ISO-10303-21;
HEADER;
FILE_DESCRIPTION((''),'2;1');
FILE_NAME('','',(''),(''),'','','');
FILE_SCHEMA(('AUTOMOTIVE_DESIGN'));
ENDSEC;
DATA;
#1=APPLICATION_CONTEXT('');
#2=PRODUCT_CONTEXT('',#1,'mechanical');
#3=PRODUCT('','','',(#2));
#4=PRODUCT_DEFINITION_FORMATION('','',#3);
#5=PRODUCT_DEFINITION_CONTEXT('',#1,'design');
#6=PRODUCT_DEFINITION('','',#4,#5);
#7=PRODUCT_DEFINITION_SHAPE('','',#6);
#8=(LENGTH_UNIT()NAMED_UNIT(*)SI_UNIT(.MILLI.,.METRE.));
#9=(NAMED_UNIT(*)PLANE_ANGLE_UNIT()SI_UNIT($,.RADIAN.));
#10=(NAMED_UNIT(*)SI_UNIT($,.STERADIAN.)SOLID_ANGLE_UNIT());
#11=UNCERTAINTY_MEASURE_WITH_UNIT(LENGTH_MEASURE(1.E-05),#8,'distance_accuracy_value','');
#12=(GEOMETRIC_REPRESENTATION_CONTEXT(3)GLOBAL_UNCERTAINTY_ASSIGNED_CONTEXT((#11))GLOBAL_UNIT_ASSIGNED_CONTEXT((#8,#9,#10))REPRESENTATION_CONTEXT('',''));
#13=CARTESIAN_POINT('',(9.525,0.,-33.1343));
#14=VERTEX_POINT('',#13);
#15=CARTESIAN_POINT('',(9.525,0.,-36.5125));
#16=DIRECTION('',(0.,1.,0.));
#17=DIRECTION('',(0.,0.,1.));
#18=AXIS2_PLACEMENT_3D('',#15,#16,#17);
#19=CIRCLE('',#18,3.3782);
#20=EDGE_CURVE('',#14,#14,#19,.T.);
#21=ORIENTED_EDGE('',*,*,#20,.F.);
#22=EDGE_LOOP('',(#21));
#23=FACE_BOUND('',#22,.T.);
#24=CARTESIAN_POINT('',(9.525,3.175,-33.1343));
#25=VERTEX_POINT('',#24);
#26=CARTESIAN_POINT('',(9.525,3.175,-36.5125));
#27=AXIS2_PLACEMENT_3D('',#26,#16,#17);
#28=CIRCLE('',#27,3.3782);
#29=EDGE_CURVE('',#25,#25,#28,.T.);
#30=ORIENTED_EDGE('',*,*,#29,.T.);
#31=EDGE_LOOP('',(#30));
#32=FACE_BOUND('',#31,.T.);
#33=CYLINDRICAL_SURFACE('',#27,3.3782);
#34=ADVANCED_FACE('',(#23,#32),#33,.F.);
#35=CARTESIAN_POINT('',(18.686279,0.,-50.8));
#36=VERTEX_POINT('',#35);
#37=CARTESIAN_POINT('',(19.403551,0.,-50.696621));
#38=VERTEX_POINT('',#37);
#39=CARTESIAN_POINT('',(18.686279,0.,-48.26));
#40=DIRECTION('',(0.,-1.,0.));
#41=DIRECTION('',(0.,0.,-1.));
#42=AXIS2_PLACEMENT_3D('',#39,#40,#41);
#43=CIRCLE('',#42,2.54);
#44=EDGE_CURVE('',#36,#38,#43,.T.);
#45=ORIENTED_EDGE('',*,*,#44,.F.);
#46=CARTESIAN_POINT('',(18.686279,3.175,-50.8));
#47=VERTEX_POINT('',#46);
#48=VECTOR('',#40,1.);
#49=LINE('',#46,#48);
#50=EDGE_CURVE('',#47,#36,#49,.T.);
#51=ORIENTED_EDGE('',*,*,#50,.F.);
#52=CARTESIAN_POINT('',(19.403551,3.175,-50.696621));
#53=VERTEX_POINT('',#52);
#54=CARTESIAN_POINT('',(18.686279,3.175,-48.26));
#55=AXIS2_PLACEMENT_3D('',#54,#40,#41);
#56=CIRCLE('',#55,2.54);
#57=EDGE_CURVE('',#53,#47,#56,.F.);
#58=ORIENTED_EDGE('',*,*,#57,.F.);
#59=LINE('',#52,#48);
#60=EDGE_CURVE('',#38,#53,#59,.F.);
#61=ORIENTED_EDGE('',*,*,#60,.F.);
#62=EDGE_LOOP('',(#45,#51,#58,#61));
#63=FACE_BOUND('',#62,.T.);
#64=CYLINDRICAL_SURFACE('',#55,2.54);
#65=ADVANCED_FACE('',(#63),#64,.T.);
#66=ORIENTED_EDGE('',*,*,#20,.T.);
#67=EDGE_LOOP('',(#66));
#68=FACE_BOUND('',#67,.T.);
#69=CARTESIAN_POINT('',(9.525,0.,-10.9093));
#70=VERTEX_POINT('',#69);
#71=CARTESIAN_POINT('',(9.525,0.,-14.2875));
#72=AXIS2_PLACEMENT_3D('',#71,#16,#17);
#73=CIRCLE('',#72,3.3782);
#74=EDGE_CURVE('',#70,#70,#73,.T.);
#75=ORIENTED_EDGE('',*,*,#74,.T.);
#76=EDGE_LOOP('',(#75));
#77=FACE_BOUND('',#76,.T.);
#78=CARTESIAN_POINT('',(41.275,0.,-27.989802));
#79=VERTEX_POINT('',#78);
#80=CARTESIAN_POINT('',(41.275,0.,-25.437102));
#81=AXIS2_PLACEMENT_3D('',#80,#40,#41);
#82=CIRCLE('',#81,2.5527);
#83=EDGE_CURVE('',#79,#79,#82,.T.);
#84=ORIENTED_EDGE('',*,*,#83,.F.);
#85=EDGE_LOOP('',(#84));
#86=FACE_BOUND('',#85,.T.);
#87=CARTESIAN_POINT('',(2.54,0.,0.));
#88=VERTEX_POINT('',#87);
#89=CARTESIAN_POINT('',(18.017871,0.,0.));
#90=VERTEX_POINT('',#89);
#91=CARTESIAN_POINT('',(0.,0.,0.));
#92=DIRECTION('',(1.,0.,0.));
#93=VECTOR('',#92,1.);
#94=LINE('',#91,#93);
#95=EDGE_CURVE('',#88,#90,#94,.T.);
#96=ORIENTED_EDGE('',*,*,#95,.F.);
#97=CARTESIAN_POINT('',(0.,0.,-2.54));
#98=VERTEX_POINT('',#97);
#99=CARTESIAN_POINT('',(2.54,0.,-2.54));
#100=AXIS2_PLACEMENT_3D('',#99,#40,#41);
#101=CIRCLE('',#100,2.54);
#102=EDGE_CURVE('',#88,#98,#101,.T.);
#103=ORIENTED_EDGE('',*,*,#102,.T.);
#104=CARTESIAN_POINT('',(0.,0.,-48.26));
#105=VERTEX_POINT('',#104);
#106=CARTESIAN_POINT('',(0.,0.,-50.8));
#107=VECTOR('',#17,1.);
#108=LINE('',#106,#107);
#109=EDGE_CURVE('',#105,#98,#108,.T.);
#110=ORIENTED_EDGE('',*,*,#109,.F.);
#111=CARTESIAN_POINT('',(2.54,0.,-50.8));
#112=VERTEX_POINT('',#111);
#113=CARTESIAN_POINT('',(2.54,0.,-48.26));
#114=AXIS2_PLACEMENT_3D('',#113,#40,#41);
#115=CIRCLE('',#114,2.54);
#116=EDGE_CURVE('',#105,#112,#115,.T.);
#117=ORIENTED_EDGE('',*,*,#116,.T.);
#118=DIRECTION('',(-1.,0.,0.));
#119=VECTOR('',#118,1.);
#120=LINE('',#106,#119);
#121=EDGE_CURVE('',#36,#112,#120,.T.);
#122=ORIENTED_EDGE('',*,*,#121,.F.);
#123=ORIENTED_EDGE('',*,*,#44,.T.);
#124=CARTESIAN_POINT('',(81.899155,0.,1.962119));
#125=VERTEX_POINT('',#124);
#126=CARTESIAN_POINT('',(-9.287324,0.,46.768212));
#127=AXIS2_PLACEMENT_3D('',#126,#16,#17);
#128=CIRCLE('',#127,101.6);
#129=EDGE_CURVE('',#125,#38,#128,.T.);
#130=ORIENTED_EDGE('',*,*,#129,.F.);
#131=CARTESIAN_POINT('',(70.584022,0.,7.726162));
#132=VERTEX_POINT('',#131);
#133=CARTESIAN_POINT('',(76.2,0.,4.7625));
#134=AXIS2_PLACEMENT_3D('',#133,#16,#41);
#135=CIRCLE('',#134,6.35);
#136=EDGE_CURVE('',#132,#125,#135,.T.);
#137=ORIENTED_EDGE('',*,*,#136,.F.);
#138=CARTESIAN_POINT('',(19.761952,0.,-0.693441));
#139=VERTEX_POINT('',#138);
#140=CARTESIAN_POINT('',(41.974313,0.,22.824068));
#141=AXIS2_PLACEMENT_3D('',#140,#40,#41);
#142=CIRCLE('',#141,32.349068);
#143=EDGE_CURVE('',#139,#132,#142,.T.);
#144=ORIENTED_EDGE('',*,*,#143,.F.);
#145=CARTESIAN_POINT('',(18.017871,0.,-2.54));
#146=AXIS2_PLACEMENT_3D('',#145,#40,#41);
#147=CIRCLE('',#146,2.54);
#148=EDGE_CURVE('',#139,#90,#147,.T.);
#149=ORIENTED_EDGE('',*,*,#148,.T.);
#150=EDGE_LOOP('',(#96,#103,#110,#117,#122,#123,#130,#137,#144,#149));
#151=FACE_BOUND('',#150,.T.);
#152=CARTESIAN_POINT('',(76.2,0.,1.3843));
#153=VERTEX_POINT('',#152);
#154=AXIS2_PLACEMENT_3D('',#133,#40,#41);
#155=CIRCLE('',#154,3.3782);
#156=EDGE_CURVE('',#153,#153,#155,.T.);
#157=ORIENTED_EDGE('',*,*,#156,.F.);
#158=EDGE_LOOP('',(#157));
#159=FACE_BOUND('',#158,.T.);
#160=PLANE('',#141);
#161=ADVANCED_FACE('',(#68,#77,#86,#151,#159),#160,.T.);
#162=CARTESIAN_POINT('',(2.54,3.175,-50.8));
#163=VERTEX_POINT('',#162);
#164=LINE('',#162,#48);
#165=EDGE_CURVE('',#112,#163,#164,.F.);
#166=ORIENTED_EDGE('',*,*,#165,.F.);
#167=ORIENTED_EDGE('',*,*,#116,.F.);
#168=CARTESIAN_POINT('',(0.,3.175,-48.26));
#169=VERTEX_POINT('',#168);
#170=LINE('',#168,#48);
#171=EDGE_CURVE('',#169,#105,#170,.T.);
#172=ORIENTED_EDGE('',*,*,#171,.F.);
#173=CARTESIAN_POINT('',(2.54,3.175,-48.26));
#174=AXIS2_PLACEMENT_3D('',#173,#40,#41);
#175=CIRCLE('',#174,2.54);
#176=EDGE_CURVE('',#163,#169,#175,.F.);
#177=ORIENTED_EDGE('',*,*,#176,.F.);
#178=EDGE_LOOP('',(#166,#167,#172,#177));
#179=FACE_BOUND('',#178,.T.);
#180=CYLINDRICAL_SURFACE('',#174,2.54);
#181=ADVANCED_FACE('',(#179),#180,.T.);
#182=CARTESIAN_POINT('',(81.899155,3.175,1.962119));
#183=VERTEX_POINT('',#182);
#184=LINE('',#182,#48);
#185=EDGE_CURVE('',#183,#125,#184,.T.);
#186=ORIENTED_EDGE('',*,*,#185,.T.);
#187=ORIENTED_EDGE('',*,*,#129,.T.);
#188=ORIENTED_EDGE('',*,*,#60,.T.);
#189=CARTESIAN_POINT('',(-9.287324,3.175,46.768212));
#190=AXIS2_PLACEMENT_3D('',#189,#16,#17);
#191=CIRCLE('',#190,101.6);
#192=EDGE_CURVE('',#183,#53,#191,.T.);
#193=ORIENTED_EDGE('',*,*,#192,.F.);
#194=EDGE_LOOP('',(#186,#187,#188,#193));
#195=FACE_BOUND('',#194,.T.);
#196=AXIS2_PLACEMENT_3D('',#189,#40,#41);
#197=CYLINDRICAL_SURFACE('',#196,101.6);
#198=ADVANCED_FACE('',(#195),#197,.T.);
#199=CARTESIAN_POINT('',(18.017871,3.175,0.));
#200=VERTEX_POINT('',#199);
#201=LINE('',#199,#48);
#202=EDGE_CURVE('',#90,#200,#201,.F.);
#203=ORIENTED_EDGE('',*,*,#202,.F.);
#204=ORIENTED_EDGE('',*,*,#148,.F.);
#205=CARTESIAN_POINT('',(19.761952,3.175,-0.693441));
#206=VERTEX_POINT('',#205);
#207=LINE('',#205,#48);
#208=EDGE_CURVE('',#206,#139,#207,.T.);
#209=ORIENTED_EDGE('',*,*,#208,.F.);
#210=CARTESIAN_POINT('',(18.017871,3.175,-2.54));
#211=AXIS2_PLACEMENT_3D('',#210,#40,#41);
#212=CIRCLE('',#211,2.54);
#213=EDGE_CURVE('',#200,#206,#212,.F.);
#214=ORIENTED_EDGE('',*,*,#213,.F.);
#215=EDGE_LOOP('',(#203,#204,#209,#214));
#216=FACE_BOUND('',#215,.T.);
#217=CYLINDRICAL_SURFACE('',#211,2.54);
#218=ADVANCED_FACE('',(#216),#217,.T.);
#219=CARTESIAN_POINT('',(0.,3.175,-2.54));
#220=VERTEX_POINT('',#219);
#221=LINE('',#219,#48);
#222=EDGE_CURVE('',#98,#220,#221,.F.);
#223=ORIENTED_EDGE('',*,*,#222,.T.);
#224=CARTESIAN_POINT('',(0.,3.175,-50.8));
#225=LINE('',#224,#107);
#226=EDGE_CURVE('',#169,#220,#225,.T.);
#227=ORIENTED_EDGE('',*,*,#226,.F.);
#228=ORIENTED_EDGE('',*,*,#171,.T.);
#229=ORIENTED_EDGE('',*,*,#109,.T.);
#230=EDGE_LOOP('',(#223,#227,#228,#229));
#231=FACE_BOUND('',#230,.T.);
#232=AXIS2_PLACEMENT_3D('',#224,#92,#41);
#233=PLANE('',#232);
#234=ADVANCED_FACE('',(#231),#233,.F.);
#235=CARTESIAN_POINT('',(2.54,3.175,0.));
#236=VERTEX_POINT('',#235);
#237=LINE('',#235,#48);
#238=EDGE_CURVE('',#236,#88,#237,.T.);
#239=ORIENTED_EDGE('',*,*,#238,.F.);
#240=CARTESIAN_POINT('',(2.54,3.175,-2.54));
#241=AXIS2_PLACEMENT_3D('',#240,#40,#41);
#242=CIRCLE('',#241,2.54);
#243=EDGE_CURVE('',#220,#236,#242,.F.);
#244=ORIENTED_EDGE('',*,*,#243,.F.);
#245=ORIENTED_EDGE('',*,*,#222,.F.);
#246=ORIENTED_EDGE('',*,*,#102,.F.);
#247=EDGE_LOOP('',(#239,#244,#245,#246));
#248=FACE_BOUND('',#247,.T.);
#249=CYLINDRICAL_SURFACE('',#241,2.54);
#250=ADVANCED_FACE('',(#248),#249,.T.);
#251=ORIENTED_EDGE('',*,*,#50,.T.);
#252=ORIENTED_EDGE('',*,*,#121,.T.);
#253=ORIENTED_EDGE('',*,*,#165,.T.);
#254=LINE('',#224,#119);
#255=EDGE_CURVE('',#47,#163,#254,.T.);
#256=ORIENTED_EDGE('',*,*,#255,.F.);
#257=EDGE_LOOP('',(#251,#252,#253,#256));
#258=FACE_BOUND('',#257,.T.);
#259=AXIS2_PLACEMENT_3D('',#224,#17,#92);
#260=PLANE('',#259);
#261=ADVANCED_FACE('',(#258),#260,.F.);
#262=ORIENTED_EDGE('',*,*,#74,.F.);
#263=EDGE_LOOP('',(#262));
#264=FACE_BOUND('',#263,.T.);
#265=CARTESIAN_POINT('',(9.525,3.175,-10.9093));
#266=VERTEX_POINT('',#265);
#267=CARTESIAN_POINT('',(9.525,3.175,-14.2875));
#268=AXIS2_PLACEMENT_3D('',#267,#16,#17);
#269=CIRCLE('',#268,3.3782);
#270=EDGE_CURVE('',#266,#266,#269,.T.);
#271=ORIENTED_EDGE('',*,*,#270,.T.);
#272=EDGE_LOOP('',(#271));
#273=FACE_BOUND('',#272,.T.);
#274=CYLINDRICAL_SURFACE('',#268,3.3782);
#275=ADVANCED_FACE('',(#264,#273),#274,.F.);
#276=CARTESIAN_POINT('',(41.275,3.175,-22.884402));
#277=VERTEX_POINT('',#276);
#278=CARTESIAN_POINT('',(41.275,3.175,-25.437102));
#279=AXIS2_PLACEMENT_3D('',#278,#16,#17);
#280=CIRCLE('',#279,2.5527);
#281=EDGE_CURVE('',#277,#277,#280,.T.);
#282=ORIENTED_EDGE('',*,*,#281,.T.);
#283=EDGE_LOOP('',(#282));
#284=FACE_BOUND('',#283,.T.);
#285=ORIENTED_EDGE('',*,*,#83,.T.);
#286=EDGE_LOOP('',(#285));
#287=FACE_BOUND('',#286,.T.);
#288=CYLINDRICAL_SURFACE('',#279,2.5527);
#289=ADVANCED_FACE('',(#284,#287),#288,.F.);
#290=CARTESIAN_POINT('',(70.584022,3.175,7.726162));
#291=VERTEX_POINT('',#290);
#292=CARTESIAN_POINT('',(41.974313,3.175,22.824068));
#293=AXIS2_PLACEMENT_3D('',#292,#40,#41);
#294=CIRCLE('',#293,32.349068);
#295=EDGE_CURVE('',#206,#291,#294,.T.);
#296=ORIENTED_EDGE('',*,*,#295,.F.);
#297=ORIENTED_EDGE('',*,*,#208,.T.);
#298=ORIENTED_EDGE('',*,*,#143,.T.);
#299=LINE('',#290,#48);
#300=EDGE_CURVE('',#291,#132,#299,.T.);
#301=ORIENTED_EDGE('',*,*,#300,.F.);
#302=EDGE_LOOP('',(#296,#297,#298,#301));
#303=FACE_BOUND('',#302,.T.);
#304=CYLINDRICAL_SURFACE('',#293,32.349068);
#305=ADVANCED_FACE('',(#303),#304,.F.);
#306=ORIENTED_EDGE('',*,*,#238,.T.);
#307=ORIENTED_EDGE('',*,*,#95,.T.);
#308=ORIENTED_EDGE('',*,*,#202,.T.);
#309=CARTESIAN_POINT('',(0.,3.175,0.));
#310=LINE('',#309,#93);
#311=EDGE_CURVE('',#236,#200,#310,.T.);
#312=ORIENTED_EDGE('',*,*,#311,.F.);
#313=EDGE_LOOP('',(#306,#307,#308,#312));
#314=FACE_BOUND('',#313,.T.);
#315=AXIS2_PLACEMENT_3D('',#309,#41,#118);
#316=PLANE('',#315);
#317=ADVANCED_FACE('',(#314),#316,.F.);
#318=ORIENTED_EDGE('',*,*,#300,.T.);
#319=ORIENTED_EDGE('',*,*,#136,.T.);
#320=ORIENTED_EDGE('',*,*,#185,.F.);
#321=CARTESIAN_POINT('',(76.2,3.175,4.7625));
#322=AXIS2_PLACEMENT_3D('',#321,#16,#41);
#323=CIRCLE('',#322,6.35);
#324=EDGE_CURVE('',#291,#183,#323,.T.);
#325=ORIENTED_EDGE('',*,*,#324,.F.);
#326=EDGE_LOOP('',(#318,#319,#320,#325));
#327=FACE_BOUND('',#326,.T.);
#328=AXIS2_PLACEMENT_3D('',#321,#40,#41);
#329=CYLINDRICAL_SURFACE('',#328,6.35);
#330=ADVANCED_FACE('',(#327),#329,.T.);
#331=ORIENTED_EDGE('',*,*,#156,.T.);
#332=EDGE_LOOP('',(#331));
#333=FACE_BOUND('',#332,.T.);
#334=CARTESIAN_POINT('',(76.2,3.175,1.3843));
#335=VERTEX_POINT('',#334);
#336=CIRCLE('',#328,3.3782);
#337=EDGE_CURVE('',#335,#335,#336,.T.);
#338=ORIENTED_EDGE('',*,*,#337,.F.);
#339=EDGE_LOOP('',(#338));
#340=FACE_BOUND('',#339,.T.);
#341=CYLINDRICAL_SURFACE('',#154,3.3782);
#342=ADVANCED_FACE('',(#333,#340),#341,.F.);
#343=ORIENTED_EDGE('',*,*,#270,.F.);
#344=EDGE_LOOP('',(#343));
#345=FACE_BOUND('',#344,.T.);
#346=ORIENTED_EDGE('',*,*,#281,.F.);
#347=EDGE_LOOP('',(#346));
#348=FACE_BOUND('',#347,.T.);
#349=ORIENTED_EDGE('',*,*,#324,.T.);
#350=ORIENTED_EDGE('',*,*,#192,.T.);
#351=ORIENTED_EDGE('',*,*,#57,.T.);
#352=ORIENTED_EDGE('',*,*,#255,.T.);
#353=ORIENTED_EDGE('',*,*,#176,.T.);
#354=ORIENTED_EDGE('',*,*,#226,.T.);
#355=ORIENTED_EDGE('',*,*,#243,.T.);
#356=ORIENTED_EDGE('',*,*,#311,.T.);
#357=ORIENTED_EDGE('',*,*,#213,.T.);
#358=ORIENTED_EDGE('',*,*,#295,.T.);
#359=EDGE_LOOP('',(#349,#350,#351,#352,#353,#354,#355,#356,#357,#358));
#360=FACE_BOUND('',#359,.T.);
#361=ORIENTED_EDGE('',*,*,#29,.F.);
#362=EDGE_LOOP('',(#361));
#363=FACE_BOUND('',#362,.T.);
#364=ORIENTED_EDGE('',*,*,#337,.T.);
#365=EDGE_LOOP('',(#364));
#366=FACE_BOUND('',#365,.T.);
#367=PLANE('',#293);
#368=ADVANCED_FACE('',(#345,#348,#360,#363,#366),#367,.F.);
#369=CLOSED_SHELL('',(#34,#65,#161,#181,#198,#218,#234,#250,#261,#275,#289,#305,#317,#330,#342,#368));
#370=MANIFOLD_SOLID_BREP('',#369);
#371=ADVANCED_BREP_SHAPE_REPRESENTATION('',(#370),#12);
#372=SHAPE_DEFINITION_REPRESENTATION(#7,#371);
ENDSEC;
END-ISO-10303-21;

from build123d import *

# Parameters (mm, degrees)
BOSS_EXTRUDE1_DEPTH        = 3.175
F_1_4_CLEARANCE_HOLE2_D    = 6.7564
F_1_4_CLEARANCE_HOLE1_D    = 6.7564
FILLET1_R                  = 2.54
F_10_CLEARANCE_HOLE1_D     = 5.1054
F_10_CLEARANCE_HOLE1_DEPTH = 3.175


with BuildPart() as part:
    # Sketch1 → Boss-Extrude1 (new body)
    with BuildSketch(Plane(origin=(0, 0, 0), x_dir=(1, 0, 0), z_dir=(0, 1, 0))):
        with BuildLine():
            Line((0, 50.8), (19.05, 50.8))
            ThreePointArc((19.05, 50.8), (56.03836137, 31.046405743), (81.899154962, -1.962119182))
            ThreePointArc((81.899154962, -1.962119182), (79.082321477, -10.420655433), (70.584022136, -7.726162031))
            ThreePointArc((70.584022136, -7.726162031), (46.770595677, 9.16746016), (19.05, 0))
            Line((19.05, 0), (0, 0))
            Line((0, 0), (0, 50.8))
        make_face()
    extrude(amount=BOSS_EXTRUDE1_DEPTH)

    # 1/4 Clearance Hole2 (through all)
    with Locations(Plane(origin=(0, 0, 0), x_dir=(-1, 0, 0), z_dir=(0, -1, 0))):
        with Locations((-76.2, -4.7625)):
            Hole(F_1_4_CLEARANCE_HOLE2_D / 2)

    # 1/4 Clearance Hole1 (through all)
    with Locations(Plane(origin=(0, 3.175, 0), x_dir=(1, 0, 0), z_dir=(0, 1, 0))):
        with Locations((9.525, 36.5125), (9.525, 14.2875)):
            Hole(F_1_4_CLEARANCE_HOLE1_D / 2)

    # Fillet1
    fillet1_edges = [part.edges().sort_by_distance(p)[0] for p in [
        (0, 1.5875, -50.8),
        (19.05, 1.5875, -50.8),
        (19.05, 1.5875, 0),
        (0, 1.5875, 0),
    ]]
    fillet(fillet1_edges, radius=FILLET1_R)

    # #10 Clearance Hole1
    with Locations(Plane(origin=(0, 3.175, 0), x_dir=(1, 0, 0), z_dir=(0, 1, 0))):
        with Locations((41.275, 25.437101907)):
            Hole(F_10_CLEARANCE_HOLE1_D / 2, depth=F_10_CLEARANCE_HOLE1_DEPTH)


solid = part.part
